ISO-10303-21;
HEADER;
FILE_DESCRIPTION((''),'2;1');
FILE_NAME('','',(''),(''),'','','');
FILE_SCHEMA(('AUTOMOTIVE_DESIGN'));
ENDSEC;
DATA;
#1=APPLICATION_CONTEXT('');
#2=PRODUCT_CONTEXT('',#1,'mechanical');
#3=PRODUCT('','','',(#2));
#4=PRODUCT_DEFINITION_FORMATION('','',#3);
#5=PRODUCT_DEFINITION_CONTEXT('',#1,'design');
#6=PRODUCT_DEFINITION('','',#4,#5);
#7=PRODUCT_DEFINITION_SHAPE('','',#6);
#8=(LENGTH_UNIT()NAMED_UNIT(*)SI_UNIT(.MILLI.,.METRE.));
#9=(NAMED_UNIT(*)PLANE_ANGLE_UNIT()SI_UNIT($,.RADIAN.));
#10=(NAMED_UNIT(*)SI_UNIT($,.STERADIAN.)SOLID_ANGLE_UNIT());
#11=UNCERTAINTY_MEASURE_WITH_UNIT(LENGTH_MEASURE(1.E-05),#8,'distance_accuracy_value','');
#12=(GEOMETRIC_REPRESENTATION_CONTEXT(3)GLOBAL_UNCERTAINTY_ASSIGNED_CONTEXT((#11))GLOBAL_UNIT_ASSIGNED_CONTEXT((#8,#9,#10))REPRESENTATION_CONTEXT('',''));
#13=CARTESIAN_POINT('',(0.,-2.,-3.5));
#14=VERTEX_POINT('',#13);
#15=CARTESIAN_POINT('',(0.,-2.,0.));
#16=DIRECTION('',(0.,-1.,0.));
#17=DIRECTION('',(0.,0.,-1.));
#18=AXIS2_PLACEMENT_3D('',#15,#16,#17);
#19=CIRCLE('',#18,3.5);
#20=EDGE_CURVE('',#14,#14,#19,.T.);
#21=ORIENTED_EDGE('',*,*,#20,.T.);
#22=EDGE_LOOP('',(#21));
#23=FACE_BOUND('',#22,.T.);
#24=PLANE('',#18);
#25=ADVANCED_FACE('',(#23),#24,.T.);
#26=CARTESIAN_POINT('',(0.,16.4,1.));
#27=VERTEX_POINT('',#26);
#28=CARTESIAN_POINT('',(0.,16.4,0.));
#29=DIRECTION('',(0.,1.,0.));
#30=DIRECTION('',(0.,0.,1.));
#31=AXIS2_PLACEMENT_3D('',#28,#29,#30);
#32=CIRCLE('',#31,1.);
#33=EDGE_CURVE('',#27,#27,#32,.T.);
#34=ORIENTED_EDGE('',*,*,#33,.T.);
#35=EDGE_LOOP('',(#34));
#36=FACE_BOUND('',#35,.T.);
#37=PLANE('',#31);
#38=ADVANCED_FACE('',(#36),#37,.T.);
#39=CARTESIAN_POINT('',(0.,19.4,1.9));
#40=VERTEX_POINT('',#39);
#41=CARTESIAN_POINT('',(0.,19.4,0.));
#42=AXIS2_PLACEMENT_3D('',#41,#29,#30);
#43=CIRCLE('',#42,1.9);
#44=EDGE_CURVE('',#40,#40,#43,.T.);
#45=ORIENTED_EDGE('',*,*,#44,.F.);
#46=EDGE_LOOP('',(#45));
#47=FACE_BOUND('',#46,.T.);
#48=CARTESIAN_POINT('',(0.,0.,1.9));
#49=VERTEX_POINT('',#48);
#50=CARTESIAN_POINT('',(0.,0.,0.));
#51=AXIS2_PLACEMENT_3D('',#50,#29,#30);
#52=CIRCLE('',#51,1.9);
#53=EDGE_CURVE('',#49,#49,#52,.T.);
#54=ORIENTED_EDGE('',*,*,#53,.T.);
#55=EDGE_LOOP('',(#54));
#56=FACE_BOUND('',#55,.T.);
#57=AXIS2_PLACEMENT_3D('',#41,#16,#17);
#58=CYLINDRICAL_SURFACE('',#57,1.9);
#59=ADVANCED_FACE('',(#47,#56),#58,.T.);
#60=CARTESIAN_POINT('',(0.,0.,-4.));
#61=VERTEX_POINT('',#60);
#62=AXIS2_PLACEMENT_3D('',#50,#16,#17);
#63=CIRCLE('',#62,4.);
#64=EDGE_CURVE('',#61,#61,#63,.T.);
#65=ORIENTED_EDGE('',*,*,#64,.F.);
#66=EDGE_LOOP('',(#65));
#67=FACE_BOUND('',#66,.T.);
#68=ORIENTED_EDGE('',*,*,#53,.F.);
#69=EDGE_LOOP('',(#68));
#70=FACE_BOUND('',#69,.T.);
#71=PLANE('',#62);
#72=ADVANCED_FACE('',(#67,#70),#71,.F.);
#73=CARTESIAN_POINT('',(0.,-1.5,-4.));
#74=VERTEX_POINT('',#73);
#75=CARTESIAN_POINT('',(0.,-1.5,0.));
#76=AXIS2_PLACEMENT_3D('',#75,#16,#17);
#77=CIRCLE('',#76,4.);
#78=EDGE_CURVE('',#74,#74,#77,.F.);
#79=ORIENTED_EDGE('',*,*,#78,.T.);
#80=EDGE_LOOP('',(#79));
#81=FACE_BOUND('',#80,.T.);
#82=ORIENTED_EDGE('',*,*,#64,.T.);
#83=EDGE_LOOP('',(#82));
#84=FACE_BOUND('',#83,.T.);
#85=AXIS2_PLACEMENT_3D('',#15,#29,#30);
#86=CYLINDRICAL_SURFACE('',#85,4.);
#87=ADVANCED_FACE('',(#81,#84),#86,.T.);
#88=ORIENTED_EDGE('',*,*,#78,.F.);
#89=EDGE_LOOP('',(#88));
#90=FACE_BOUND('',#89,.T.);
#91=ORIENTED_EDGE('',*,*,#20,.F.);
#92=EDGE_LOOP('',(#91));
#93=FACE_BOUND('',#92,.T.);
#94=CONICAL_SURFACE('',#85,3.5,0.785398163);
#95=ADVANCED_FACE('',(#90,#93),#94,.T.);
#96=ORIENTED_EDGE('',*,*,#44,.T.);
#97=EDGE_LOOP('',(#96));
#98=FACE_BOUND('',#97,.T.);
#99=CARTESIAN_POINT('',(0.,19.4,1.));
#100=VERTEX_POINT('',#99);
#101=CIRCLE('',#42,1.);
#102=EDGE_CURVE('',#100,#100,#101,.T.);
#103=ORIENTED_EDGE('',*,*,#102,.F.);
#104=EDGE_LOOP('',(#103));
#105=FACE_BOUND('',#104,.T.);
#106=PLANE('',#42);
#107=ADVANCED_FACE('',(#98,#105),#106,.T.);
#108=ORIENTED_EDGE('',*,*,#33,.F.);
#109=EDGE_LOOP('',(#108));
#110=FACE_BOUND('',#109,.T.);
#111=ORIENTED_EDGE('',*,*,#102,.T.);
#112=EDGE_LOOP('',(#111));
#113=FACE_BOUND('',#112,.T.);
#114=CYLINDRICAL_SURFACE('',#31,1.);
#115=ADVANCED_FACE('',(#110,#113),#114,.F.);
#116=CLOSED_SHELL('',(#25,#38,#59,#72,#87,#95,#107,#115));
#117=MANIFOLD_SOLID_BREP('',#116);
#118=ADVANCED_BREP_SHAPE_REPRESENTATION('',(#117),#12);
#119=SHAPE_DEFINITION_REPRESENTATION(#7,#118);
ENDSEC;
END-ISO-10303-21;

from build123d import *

# Parameters (mm, degrees)
SKETCH1_R           = 1.9
BOSS_EXTRUDE1_DEPTH = 19.4
SKETCH2_R           = 4
BOSS_EXTRUDE2_DEPTH = 2
CHAMFER1_SIZE       = 0.5
SKETCH3_R           = 1
CUT_EXTRUDE1_DEPTH  = 3


with BuildPart() as part:
    # Sketch1 → Boss-Extrude1 (new body)
    with BuildSketch(Plane(origin=(0, 0, 0), x_dir=(1, 0, 0), z_dir=(0, 1, 0))):
        with Locations(Location((0, 0, 0), (0, 0, 270))):
            Circle(SKETCH1_R)
    extrude(amount=BOSS_EXTRUDE1_DEPTH)

    # Sketch2 → Boss-Extrude2 (add)
    with BuildSketch(Plane.XZ):
        with Locations(Location((0, 0, 0), (0, 0, 270))):
            Circle(SKETCH2_R)
    extrude(amount=BOSS_EXTRUDE2_DEPTH)

    # Chamfer1
    chamfer1_edges = [part.edges().sort_by_distance(p)[0] for p in [
        (0, -2, 4),
    ]]
    chamfer(chamfer1_edges, length=CHAMFER1_SIZE)

    # Sketch3 → Cut-Extrude1 (cut)
    with BuildSketch(Plane(origin=(0, 19.4, 0), x_dir=(1, 0, 0), z_dir=(0, 1, 0))):
        with Locations(Location((0, 0, 0), (0, 0, 270))):
            Circle(SKETCH3_R)
    extrude(amount=-CUT_EXTRUDE1_DEPTH, mode=Mode.SUBTRACT)


solid = part.part
